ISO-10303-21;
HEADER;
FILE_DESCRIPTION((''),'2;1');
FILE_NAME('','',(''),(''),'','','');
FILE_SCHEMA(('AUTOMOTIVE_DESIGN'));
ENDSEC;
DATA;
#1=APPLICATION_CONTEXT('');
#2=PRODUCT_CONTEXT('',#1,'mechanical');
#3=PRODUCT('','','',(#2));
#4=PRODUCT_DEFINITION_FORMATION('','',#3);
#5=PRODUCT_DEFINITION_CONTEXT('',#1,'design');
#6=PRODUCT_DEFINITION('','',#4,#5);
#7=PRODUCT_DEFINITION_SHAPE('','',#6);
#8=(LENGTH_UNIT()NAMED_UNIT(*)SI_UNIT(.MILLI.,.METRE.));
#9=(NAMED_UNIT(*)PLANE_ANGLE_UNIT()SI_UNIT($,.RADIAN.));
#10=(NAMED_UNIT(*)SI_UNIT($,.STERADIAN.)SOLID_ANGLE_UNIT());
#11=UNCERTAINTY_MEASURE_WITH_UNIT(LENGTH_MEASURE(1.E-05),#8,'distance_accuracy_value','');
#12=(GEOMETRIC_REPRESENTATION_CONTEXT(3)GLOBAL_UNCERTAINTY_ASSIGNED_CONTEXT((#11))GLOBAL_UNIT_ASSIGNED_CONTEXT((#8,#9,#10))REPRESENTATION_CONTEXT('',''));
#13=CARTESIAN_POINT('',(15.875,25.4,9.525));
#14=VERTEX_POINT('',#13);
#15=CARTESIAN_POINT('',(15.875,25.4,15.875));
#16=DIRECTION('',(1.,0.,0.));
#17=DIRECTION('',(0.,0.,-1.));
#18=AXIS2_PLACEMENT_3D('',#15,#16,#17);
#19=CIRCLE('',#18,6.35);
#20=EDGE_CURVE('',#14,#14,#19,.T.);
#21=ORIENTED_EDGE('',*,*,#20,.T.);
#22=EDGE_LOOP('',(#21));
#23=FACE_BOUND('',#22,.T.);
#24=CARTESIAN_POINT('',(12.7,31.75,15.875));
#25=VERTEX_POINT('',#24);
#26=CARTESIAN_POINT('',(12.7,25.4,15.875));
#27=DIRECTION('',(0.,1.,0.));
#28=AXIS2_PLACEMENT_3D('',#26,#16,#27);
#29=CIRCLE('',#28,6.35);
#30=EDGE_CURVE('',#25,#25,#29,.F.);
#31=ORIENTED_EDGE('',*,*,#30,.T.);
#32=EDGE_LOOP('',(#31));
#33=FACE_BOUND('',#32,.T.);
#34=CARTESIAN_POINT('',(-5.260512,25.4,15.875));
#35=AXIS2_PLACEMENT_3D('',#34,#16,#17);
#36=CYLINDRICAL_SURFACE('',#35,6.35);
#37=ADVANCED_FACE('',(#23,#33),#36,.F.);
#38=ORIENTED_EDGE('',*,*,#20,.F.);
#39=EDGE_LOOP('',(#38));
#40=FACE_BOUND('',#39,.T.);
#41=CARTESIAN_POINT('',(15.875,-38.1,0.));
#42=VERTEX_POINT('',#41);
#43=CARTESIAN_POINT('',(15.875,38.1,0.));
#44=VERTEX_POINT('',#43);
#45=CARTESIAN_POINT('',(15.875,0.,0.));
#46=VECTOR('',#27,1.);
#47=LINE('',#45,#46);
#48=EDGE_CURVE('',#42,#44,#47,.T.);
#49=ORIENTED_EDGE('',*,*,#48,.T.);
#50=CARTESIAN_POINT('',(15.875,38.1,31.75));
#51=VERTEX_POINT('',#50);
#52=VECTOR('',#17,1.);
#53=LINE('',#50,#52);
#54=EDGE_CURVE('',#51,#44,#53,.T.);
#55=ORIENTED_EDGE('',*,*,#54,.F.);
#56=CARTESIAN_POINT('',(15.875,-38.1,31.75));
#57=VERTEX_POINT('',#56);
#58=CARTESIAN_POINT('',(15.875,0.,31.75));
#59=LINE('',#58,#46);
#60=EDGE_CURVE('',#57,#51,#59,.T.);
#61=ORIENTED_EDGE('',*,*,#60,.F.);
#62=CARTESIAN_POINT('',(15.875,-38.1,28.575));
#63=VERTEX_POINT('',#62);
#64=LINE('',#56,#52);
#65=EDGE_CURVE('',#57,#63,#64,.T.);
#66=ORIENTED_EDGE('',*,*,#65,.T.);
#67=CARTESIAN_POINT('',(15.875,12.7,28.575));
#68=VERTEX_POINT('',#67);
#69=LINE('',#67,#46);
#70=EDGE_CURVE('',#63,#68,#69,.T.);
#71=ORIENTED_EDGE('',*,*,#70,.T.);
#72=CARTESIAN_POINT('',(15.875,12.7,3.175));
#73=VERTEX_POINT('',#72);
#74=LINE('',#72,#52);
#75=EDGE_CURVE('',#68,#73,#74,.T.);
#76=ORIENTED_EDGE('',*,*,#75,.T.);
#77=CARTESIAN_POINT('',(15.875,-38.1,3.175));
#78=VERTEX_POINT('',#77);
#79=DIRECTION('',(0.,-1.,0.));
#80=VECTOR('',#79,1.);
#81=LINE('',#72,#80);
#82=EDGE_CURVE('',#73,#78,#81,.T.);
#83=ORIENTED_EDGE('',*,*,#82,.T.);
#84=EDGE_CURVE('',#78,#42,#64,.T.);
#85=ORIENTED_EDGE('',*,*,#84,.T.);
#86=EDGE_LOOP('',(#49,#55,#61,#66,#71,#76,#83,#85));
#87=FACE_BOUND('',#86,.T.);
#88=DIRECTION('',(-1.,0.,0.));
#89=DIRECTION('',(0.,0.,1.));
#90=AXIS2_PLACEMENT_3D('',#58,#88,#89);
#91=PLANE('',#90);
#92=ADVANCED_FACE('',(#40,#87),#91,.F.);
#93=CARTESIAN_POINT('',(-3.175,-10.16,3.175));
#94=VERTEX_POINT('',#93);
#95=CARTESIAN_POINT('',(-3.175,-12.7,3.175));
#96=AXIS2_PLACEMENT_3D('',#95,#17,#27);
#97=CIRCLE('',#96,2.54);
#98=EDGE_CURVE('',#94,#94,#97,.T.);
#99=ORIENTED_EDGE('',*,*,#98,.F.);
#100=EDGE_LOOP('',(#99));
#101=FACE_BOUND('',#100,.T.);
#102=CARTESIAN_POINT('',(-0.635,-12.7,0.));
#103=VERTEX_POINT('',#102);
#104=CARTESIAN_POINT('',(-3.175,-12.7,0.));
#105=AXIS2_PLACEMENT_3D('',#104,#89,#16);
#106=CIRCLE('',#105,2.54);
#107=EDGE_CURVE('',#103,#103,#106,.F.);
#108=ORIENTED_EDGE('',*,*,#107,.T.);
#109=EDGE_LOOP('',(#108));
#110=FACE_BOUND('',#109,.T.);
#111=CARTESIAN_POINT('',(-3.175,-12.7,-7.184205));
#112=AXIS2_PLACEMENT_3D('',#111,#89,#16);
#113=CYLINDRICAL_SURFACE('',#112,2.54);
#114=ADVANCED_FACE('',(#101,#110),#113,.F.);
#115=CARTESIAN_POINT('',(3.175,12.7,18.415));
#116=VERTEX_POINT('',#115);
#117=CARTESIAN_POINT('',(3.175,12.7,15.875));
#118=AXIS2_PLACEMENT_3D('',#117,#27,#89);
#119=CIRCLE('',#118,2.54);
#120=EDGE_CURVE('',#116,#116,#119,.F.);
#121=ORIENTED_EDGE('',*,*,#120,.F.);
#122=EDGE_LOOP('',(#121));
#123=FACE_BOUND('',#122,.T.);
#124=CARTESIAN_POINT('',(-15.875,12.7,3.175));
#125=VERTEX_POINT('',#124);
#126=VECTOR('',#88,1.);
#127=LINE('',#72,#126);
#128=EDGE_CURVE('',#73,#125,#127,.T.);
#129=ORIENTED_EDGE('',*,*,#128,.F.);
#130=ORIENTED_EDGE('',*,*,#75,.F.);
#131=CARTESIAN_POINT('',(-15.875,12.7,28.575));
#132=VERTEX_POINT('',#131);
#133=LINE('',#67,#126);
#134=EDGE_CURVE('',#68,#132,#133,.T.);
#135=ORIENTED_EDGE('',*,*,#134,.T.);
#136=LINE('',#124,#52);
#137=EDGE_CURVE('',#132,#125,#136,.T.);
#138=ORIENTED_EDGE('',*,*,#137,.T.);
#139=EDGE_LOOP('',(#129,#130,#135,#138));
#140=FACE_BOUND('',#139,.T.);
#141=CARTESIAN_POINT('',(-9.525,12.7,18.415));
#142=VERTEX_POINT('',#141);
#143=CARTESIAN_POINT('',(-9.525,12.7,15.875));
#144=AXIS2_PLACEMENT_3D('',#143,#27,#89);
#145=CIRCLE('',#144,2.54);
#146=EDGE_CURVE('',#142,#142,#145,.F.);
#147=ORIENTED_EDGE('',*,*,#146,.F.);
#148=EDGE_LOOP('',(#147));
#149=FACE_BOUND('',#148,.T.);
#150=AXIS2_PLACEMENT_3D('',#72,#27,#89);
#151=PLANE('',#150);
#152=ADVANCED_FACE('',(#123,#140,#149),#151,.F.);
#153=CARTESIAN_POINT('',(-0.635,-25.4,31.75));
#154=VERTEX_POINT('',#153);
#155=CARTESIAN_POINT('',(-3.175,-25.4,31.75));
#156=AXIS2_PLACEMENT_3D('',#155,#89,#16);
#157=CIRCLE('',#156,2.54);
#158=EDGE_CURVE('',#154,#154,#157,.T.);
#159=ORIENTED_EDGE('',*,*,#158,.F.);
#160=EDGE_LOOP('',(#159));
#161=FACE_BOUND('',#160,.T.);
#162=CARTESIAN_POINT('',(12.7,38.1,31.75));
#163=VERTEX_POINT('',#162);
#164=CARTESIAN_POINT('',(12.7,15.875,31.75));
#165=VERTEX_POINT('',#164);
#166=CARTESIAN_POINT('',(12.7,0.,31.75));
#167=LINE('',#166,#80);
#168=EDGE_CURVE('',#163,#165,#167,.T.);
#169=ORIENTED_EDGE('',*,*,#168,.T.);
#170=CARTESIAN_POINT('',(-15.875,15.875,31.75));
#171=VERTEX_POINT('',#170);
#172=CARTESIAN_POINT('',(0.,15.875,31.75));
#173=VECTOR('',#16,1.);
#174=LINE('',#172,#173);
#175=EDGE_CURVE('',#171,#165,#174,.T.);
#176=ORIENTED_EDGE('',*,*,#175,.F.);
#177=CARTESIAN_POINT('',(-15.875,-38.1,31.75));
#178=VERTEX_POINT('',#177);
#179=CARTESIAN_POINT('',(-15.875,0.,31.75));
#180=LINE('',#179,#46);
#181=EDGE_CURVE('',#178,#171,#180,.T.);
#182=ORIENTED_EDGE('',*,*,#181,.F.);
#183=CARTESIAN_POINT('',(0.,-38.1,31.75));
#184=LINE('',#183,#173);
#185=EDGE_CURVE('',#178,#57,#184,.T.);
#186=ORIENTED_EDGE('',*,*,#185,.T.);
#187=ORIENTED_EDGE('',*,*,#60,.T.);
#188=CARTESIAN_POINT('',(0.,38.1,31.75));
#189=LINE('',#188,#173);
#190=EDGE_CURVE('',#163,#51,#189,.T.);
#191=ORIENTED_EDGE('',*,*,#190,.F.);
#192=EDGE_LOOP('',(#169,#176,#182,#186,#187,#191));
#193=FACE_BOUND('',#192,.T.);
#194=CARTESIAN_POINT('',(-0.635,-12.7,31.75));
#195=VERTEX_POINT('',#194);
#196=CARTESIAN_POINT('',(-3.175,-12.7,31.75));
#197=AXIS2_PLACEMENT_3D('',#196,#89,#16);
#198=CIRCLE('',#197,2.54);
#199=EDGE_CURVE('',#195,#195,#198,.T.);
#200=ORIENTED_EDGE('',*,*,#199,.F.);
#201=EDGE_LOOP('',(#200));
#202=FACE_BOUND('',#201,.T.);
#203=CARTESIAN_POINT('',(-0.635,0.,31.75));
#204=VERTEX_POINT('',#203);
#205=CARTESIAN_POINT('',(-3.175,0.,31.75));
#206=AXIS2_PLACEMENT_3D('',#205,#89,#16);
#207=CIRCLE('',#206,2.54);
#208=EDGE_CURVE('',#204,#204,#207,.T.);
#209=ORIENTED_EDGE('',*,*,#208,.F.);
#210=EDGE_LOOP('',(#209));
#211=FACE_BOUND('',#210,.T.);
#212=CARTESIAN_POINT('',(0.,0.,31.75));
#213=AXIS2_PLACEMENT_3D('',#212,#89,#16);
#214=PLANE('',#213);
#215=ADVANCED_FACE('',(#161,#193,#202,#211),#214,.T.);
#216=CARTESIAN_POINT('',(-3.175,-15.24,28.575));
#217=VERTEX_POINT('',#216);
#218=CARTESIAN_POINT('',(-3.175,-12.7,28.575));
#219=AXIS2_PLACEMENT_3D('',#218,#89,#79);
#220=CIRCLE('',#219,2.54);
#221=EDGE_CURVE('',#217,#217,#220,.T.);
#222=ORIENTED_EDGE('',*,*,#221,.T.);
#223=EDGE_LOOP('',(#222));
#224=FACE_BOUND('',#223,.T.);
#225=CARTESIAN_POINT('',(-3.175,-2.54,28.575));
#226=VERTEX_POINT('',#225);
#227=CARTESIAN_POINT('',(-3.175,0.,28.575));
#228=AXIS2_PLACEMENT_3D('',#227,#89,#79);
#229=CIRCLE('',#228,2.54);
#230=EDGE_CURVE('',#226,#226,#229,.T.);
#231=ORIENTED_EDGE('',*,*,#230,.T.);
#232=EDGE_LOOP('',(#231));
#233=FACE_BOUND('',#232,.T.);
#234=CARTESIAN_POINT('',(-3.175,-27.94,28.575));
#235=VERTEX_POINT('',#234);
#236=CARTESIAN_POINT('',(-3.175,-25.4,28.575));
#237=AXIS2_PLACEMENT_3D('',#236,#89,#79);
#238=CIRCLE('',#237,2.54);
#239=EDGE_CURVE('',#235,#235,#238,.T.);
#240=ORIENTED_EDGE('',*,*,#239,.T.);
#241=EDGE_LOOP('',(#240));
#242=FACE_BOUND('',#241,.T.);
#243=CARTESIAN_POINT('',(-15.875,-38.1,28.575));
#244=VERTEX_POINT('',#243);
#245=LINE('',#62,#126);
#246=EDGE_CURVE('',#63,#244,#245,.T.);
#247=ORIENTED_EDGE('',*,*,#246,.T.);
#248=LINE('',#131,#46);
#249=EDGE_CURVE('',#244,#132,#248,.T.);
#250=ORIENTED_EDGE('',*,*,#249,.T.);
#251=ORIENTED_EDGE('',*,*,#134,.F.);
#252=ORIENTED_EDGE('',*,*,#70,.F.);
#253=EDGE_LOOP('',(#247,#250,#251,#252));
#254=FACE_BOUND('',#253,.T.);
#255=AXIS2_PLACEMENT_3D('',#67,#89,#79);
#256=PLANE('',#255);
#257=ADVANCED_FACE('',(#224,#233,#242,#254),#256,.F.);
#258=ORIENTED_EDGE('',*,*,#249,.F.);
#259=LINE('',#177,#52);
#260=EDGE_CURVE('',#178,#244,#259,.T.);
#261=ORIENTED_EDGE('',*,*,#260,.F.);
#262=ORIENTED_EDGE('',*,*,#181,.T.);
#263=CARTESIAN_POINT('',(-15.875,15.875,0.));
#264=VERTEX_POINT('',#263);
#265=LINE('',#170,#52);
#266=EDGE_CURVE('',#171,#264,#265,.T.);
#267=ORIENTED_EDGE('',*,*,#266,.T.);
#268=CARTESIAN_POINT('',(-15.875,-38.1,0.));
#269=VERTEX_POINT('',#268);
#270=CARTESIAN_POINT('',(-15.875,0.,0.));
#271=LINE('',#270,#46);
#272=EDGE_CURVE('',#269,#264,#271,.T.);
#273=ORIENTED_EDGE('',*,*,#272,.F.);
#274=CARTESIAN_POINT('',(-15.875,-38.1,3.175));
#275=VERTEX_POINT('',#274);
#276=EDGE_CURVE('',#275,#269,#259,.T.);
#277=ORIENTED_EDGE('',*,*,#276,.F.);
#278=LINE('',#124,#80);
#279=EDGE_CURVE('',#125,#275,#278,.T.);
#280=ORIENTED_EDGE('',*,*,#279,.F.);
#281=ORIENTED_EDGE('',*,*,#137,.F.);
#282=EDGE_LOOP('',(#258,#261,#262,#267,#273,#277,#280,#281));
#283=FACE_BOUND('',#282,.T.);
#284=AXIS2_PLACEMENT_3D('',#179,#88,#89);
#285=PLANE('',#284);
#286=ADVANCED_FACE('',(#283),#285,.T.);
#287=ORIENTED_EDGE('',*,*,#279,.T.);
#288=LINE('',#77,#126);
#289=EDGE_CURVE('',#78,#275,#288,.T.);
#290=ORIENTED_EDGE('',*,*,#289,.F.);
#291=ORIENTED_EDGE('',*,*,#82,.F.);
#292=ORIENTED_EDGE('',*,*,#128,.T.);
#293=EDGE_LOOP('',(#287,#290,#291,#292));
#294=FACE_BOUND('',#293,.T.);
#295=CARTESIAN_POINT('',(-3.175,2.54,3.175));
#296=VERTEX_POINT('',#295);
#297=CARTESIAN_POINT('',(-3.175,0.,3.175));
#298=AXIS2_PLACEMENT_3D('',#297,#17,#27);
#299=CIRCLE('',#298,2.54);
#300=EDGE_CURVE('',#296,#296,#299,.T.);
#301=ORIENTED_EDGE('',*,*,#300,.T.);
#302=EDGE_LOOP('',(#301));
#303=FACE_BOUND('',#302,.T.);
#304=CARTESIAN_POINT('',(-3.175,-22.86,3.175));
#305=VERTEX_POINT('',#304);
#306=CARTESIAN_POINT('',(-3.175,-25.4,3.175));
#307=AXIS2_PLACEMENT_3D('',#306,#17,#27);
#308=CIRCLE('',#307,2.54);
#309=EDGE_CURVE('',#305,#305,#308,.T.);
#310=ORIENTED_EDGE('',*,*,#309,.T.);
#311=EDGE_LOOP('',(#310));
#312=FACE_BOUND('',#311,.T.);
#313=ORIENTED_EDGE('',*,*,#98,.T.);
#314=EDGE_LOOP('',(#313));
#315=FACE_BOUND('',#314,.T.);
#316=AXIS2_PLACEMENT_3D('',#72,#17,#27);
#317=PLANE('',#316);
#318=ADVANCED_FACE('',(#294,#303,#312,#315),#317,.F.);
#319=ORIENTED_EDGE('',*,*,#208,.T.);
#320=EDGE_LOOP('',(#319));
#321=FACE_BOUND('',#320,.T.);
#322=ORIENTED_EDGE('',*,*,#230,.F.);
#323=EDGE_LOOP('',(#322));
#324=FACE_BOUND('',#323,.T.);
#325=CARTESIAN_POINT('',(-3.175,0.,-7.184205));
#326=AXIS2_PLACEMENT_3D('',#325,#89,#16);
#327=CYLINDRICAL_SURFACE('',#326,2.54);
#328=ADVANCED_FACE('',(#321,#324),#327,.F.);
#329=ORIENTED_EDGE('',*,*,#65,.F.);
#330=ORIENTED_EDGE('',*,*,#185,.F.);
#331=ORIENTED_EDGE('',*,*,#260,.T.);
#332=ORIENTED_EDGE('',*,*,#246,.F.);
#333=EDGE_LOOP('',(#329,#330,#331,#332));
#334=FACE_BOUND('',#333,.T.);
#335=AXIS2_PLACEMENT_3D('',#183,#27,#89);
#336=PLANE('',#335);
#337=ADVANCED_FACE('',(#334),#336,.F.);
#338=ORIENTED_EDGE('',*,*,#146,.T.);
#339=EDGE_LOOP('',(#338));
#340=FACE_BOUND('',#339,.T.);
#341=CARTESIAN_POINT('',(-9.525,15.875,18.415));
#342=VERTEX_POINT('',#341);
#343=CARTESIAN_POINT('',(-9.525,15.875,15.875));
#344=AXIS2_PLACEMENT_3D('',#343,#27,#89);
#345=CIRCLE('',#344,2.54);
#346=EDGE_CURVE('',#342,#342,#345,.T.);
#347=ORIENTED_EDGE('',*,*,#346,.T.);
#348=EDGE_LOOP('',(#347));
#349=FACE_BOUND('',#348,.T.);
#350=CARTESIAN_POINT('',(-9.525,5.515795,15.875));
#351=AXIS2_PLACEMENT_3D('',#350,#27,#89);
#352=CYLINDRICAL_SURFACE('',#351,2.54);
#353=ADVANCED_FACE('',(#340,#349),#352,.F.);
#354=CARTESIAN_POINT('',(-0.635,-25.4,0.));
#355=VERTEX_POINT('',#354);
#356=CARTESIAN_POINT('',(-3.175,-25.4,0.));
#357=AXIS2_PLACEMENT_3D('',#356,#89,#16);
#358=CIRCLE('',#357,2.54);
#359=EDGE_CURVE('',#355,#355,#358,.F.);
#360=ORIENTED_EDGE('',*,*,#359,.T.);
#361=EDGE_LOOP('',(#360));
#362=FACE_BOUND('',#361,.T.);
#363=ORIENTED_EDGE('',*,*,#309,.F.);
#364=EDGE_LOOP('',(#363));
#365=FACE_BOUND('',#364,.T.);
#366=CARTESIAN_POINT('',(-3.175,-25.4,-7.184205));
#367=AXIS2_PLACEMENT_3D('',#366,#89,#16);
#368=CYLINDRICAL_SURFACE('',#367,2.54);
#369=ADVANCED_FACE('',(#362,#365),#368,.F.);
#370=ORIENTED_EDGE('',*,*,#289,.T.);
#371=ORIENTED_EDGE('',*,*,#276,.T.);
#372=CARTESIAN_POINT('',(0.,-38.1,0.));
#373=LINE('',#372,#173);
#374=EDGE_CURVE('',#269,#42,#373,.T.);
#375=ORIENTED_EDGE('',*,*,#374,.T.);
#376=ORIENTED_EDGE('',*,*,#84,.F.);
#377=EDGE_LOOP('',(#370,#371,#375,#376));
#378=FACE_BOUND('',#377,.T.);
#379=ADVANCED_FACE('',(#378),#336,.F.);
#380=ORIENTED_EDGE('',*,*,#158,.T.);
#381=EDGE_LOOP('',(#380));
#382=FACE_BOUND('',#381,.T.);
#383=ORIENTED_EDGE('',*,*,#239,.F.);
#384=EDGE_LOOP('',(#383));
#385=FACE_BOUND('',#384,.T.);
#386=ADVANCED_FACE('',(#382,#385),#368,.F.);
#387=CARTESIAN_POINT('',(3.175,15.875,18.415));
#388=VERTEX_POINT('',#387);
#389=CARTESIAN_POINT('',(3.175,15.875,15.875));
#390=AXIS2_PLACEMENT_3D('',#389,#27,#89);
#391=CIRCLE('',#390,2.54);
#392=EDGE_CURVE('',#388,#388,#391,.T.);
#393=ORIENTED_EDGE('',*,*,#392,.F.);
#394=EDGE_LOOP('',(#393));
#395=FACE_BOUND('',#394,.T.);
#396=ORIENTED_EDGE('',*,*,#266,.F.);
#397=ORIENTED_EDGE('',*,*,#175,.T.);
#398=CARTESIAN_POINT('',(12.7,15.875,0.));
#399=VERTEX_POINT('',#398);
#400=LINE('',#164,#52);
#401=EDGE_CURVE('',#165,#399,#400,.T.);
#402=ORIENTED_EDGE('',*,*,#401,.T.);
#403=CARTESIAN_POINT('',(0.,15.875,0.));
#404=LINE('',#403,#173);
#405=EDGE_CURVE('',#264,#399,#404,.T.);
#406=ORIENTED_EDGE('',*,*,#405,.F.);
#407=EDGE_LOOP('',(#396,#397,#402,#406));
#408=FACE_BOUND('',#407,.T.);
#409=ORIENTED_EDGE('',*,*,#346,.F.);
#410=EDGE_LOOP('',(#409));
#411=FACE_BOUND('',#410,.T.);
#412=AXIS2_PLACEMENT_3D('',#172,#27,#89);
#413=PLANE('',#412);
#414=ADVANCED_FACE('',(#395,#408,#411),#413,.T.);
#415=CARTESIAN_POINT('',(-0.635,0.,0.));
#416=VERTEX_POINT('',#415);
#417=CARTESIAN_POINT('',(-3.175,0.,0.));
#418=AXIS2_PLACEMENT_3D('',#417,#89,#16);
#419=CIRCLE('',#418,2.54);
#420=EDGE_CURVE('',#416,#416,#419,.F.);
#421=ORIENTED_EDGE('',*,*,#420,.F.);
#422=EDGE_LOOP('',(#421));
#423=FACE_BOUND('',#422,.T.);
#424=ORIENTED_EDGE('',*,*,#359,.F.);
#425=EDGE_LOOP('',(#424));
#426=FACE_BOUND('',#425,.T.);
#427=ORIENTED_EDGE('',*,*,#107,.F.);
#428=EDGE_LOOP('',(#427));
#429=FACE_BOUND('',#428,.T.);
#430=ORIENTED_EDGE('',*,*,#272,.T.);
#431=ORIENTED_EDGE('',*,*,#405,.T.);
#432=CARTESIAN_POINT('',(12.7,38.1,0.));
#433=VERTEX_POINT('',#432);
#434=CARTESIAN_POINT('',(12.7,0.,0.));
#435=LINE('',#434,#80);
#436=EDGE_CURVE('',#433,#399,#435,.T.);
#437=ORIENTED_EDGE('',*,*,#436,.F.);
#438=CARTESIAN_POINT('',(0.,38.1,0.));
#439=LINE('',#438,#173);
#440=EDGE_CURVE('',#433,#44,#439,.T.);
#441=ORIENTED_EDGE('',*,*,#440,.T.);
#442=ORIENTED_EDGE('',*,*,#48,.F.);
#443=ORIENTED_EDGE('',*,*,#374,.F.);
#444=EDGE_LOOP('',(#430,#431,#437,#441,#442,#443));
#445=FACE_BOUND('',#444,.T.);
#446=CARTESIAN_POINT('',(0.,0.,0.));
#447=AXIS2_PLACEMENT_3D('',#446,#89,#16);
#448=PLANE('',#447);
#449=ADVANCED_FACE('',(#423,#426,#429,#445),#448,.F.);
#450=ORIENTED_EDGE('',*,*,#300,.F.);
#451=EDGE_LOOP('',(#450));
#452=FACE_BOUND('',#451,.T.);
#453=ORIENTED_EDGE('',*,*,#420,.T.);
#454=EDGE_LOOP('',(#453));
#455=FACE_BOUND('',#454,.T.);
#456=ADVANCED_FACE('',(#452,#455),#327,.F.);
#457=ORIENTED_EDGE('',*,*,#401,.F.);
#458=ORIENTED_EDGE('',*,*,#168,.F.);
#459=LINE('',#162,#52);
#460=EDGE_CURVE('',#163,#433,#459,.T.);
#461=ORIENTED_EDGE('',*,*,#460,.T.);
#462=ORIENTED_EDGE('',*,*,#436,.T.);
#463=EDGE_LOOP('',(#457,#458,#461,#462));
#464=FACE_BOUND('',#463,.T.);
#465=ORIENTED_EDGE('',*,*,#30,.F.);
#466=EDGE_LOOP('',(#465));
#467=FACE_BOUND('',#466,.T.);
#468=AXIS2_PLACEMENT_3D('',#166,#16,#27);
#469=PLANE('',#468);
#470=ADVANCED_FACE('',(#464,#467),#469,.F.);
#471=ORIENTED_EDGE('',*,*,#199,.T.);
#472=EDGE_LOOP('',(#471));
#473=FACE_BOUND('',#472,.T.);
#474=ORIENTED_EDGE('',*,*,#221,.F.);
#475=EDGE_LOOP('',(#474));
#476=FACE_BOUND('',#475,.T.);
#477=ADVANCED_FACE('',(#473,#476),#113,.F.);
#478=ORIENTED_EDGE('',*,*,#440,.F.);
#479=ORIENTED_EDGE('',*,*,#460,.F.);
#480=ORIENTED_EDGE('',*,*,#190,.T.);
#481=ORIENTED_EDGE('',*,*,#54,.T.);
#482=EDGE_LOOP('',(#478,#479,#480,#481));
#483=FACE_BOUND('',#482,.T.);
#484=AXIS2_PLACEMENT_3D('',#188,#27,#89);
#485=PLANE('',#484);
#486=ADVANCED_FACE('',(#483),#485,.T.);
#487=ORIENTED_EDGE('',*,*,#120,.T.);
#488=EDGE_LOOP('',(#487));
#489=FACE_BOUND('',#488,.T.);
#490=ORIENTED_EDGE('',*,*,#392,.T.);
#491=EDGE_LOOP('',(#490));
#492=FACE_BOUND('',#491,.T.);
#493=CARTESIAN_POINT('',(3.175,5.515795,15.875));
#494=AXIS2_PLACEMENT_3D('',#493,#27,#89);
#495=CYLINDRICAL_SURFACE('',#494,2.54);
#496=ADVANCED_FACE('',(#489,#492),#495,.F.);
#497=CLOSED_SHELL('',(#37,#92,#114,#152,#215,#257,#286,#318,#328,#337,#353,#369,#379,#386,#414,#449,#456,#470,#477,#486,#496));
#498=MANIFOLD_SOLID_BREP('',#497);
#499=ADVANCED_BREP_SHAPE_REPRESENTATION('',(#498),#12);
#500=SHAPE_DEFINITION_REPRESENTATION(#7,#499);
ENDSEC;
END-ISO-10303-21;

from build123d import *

# Parameters (mm, degrees)
BOSS_EXTRUDE2_DEPTH = 31.75
SKETCH10_W          = 25.4
SKETCH10_H          = 50.8
CUT_EXTRUDE4_DEPTH  = 32.75
SKETCH11_R          = 2.54
CUT_EXTRUDE5_DEPTH  = 3.175
SKETCH12_R          = 2.54
CUT_EXTRUDE6_DEPTH  = 31.75
SKETCH13_R          = 6.35
CUT_EXTRUDE7_DEPTH  = 3.175


with BuildPart() as part:
    # Sketch8 → Boss-Extrude2 (new body)
    with BuildSketch(Plane.XY):
        Polygon((-15.875, 15.875), (-15.875, -38.1), (15.875, -38.1), (15.875, 38.1), (12.7, 38.1), (12.7, 15.875), align=None)
    extrude(amount=BOSS_EXTRUDE2_DEPTH)

    # Sketch10 → Cut-Extrude4 (cut, through all)
    with BuildSketch(Plane.ZY.offset(15.875)):
        with Locations((15.875, -12.7)):
            Rectangle(SKETCH10_W, SKETCH10_H)
    extrude(amount=-CUT_EXTRUDE4_DEPTH, mode=Mode.SUBTRACT)

    # Sketch11 → Cut-Extrude5 (cut)
    with BuildSketch(Plane(origin=(0, 15.875, 0), x_dir=(1, 0, 0), z_dir=(0, 1, 0))):
        with Locations((-9.525, -15.875)):
            Circle(SKETCH11_R)
        with Locations((3.175, -15.875)):
            Circle(SKETCH11_R)
    extrude(amount=-CUT_EXTRUDE5_DEPTH, mode=Mode.SUBTRACT)

    # Sketch12 → Cut-Extrude6 (cut)
    with BuildSketch(Plane.XY.offset(31.75)):
        with Locations((-3.175, 0)):
            Circle(SKETCH12_R)
        with Locations((-3.175, -12.7)):
            Circle(SKETCH12_R)
        with Locations((-3.175, -25.4)):
            Circle(SKETCH12_R)
    extrude(amount=-CUT_EXTRUDE6_DEPTH, mode=Mode.SUBTRACT)

    # Sketch13 → Cut-Extrude7 (cut)
    with BuildSketch(Plane(origin=(15.875, 0, 0), x_dir=(0, 0, -1), z_dir=(1, 0, 0))):
        with Locations((-15.875, 25.4)):
            Circle(SKETCH13_R)
    extrude(amount=-CUT_EXTRUDE7_DEPTH, mode=Mode.SUBTRACT)


solid = part.part
